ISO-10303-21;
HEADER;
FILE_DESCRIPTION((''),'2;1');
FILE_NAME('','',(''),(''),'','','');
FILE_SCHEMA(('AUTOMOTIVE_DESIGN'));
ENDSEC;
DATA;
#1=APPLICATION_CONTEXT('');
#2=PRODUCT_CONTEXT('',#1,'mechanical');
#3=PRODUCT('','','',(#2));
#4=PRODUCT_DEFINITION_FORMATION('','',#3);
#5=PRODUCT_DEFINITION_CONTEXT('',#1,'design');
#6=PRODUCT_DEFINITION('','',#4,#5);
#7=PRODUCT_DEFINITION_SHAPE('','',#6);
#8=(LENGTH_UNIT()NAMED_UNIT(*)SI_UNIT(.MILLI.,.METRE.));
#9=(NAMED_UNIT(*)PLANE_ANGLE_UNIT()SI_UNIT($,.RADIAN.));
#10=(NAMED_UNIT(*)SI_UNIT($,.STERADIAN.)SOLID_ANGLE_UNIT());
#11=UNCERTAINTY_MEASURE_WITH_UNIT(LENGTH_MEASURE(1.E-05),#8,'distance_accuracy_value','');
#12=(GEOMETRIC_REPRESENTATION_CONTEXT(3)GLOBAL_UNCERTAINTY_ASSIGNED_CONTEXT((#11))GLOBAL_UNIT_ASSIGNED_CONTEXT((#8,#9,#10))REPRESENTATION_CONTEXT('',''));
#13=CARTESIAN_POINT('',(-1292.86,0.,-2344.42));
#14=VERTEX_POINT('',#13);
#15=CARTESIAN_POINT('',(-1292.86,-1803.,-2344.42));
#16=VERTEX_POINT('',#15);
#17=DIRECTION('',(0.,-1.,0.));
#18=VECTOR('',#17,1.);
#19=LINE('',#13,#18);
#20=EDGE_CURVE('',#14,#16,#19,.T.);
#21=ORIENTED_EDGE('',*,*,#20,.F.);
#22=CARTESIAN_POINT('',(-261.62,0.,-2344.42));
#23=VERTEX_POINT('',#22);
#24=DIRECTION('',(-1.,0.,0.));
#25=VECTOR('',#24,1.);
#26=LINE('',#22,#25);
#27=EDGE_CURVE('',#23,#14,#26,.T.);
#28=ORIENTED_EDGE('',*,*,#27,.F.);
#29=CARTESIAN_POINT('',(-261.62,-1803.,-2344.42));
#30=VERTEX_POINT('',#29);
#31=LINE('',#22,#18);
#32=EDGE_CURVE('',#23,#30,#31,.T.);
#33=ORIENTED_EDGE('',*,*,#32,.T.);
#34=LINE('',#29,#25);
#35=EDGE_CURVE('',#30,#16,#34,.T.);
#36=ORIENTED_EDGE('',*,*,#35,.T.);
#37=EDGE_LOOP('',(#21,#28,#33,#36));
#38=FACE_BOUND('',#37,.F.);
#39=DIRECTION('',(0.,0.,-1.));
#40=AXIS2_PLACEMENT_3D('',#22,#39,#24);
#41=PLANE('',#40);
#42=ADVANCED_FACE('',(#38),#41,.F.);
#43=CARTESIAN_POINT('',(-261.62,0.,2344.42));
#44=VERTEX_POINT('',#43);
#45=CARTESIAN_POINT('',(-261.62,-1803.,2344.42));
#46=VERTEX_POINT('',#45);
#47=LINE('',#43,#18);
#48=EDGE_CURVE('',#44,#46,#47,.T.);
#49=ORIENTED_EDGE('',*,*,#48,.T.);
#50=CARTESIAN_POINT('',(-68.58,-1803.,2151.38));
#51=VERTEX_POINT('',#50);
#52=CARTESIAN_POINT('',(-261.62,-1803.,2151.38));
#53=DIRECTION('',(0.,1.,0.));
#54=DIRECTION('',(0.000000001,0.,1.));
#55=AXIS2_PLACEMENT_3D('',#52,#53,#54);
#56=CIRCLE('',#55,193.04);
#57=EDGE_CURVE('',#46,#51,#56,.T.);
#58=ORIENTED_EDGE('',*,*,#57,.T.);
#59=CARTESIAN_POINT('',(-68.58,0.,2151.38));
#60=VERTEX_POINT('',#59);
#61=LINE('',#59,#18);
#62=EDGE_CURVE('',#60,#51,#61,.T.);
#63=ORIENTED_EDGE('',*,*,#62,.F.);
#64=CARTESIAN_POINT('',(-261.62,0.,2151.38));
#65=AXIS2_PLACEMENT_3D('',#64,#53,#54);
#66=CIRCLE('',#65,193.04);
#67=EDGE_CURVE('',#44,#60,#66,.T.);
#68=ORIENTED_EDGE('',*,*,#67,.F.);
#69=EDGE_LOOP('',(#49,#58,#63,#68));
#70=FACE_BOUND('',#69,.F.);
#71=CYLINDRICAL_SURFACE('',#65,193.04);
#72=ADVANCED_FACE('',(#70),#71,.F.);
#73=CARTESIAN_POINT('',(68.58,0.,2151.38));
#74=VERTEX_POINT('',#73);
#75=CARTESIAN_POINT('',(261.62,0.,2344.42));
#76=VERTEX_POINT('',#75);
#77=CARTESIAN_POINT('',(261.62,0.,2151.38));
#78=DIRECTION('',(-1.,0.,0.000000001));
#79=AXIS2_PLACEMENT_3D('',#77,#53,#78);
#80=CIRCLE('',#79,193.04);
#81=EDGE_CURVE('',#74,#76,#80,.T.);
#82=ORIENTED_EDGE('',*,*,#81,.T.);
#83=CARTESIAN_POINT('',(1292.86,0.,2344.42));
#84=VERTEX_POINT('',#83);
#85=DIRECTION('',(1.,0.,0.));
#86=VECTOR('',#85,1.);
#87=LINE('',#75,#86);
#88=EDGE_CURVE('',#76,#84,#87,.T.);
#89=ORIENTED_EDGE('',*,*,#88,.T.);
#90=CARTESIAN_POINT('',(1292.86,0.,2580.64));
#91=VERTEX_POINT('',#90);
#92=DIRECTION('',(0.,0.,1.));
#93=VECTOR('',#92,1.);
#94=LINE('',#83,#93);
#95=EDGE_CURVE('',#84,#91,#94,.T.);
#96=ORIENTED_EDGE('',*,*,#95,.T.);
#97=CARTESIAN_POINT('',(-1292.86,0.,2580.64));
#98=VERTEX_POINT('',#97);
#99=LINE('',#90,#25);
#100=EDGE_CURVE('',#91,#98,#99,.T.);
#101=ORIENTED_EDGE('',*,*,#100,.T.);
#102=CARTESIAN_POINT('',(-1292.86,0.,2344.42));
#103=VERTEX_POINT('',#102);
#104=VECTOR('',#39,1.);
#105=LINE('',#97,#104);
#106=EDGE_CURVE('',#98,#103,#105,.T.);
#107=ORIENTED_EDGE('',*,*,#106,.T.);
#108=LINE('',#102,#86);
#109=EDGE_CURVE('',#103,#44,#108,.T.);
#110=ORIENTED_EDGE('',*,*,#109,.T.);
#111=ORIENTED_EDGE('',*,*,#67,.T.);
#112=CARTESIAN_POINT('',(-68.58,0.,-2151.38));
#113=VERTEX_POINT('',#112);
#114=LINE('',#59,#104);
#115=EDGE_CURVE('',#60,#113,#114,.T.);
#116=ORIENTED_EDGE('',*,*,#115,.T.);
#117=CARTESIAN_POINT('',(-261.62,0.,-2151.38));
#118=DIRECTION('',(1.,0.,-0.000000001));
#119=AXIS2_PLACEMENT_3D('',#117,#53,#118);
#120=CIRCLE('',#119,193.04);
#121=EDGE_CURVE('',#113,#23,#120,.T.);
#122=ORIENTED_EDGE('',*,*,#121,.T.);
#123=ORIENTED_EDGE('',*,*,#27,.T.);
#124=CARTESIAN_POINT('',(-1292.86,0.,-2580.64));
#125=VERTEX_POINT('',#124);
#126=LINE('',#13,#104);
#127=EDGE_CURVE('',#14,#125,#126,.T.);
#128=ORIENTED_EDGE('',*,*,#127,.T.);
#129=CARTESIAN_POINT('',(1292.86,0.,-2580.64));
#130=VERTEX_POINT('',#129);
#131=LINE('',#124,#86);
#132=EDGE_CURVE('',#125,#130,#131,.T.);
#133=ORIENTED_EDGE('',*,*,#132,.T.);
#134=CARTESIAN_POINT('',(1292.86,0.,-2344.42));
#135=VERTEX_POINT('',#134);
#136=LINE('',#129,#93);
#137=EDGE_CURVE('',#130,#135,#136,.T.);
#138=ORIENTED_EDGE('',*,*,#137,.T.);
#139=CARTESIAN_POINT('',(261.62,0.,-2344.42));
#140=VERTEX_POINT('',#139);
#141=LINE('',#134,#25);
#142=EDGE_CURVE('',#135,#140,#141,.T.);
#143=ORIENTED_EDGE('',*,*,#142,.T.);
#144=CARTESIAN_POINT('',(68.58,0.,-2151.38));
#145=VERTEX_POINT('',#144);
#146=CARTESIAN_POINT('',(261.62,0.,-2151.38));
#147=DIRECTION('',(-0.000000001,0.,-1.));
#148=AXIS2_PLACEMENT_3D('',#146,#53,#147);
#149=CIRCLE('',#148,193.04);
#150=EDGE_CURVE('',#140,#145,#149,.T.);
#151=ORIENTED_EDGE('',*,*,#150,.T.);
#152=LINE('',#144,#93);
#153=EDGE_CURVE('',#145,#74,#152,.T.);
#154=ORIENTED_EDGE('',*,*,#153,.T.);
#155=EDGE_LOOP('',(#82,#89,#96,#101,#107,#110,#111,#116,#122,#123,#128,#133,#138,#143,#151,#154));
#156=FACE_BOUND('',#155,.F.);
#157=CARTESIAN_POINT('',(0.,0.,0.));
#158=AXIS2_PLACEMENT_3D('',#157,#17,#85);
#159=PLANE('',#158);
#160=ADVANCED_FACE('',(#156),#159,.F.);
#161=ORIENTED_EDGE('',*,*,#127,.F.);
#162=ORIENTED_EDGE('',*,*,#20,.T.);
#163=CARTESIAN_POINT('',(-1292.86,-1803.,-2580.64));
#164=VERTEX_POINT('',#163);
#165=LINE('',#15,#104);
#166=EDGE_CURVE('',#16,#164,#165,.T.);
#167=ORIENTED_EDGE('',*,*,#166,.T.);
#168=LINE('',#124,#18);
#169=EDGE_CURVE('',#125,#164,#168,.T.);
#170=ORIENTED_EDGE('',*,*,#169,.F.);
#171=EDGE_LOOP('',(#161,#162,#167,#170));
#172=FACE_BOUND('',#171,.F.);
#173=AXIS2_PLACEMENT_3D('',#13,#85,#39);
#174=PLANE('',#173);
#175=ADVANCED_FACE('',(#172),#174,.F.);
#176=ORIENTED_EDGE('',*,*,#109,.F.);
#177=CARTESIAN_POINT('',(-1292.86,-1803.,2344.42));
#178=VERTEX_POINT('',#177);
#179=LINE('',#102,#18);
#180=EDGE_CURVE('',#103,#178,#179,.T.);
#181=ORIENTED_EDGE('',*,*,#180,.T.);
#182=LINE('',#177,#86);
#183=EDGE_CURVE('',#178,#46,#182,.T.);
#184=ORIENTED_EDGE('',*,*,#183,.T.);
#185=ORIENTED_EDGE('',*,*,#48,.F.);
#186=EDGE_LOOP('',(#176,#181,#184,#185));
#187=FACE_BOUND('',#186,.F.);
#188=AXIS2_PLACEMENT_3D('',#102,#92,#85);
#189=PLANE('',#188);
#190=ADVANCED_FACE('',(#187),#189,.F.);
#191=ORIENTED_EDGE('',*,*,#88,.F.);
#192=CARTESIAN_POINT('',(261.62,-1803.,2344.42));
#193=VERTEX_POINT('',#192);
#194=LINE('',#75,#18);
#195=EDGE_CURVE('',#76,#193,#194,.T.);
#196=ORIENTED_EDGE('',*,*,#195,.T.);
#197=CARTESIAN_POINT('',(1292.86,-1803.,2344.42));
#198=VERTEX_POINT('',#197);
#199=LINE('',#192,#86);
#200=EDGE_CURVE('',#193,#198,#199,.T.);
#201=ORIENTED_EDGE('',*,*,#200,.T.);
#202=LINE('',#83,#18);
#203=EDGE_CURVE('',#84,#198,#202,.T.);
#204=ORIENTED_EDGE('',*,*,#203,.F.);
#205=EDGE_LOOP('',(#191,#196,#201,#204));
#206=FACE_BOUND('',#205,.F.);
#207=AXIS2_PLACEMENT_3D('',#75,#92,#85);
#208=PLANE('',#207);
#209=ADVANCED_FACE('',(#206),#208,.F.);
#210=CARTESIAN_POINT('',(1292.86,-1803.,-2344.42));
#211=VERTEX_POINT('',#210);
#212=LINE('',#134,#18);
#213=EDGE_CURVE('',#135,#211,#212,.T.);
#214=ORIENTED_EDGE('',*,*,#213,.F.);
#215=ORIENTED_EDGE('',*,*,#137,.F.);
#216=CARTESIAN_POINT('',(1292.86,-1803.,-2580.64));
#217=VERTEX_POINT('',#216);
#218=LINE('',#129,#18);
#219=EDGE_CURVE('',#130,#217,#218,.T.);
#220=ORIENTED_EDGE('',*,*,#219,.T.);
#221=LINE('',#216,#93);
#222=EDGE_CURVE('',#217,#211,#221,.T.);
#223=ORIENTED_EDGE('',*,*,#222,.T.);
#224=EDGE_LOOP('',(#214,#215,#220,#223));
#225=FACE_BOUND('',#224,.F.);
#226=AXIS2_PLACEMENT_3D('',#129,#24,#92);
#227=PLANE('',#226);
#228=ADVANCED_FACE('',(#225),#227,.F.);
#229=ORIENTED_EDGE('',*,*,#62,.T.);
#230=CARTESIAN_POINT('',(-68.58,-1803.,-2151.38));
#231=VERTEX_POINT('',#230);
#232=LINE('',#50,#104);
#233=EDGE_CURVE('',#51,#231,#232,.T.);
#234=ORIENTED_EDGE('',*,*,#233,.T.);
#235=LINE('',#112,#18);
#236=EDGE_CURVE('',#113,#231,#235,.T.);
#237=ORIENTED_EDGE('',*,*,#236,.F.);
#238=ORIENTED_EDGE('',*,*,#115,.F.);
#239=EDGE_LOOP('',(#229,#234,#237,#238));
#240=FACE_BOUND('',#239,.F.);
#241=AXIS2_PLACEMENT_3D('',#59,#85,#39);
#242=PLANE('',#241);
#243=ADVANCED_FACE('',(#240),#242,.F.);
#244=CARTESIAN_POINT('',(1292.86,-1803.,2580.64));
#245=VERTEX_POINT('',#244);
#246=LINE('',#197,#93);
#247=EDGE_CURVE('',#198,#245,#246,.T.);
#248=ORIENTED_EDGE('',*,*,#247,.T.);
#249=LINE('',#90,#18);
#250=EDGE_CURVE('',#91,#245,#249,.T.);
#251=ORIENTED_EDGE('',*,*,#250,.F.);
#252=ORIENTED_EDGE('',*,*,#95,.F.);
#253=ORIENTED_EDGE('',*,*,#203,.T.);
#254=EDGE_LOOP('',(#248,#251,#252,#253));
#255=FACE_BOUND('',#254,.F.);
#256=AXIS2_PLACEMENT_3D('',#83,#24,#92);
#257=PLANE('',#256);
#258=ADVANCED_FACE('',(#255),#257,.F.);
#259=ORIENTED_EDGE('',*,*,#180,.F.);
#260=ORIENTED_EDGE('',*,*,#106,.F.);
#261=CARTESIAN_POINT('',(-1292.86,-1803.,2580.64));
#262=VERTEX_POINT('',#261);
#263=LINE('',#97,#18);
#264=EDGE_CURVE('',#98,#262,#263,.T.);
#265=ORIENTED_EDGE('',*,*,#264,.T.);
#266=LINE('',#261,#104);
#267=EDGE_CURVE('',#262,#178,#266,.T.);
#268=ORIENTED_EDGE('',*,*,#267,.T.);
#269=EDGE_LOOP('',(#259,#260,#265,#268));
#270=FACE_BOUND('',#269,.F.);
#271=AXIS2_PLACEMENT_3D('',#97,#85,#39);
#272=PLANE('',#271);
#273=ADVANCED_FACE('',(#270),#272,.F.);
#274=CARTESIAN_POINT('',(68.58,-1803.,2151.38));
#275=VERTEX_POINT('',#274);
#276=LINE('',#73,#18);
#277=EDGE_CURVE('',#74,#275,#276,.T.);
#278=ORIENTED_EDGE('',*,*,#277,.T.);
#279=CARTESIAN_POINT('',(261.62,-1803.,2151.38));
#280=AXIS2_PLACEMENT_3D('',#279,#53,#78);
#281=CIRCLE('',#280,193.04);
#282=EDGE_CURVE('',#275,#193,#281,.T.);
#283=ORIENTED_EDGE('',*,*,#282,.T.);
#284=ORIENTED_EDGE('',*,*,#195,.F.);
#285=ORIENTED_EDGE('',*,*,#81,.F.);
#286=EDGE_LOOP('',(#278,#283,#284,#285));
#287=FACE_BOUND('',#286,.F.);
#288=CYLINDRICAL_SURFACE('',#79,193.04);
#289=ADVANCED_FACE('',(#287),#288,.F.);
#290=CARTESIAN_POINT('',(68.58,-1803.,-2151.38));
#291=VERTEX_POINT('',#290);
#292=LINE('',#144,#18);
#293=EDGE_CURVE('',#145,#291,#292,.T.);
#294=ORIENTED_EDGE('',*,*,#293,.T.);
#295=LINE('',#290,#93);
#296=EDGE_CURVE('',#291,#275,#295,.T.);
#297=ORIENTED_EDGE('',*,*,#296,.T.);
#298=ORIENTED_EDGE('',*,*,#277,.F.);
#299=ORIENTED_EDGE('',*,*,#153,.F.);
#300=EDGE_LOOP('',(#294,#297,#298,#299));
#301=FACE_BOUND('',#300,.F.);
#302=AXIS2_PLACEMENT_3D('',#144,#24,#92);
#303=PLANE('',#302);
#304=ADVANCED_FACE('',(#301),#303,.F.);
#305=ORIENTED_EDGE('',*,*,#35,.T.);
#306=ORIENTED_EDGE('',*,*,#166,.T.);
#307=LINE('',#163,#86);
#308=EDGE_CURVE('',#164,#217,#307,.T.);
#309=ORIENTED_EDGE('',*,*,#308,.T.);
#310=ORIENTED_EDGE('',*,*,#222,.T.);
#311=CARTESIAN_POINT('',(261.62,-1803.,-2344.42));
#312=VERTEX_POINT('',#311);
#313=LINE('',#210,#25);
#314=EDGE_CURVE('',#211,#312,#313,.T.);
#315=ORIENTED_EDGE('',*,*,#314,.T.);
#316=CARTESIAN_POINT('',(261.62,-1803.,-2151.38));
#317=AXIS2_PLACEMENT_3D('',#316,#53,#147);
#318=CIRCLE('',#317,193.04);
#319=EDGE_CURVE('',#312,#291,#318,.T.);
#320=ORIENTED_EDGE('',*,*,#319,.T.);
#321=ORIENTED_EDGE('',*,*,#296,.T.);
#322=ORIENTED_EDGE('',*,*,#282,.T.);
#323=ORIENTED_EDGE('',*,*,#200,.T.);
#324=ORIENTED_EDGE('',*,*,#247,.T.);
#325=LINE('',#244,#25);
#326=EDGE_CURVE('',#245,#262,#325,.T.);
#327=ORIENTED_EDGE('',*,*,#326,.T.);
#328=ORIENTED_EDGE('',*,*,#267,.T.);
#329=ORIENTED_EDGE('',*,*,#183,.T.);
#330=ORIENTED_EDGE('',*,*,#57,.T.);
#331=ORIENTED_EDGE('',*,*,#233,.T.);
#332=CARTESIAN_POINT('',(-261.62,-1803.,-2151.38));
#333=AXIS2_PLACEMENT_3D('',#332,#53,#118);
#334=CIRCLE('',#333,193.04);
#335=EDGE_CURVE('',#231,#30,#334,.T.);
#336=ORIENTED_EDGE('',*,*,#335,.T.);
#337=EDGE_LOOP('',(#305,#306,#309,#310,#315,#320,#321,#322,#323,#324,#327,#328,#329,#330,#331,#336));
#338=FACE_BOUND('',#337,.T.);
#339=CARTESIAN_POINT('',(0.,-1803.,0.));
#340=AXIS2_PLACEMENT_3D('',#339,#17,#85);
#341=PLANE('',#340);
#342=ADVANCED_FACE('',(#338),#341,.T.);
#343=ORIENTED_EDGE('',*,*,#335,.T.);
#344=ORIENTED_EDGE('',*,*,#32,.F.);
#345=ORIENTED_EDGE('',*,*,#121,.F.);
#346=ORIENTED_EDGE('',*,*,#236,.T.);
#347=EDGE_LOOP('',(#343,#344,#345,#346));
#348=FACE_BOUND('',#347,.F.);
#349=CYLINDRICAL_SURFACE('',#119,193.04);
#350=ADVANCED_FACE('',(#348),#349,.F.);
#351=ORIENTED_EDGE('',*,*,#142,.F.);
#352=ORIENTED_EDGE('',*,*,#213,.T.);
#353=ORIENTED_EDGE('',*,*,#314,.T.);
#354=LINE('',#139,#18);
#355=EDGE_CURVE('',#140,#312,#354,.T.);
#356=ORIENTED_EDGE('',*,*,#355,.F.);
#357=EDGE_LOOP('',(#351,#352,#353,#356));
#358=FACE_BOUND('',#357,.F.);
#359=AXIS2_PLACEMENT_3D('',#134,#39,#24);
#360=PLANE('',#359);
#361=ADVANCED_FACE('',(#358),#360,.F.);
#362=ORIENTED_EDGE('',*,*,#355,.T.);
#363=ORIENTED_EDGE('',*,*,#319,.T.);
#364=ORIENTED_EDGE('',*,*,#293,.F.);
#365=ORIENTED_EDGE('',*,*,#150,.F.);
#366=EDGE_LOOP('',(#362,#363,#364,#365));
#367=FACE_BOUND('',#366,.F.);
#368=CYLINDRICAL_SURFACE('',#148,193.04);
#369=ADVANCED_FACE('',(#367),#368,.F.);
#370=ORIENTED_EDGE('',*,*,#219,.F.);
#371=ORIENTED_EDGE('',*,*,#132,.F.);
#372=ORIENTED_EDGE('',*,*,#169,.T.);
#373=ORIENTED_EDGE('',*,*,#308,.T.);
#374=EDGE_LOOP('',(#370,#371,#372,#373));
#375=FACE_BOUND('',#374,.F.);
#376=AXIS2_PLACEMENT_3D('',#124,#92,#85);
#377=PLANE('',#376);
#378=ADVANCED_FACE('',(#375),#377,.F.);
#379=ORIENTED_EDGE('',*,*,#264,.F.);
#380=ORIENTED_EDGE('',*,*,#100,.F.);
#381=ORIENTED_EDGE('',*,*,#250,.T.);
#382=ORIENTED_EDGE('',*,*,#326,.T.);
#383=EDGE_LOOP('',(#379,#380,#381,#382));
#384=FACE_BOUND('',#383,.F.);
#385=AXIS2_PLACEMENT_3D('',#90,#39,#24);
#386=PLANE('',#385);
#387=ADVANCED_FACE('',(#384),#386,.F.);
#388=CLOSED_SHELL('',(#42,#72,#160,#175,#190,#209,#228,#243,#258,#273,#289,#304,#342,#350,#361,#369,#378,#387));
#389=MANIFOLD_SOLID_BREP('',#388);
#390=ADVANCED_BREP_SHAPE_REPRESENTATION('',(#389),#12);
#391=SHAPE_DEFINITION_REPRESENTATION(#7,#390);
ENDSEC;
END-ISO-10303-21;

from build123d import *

# Parameters (mm, degrees)
F1_DEPTH = 1803


with BuildPart() as f1:
    # F0 (on Front) → F1 (new body)
    with BuildSketch(Plane.XZ):
        with BuildLine():
            Line((1292.86, 2580.64), (-1292.86, 2580.64))
            Line((-1292.86, 2580.64), (-1292.86, 2344.42))
            Line((-1292.86, 2344.42), (-261.62, 2344.42))
            ThreePointArc((-261.62, 2344.42), (-125.120107, 2287.879893), (-68.58, 2151.38))
            Line((-68.58, 2151.38), (-68.58, -2151.38))
            ThreePointArc((-68.58, -2151.38), (-125.120107, -2287.879893), (-261.62, -2344.42))
            Line((-261.62, -2344.42), (-1292.86, -2344.42))
            Line((-1292.86, -2344.42), (-1292.86, -2580.64))
            Line((-1292.86, -2580.64), (1292.86, -2580.64))
            Line((1292.86, -2580.64), (1292.86, -2344.42))
            Line((1292.86, -2344.42), (261.62, -2344.42))
            ThreePointArc((261.62, -2344.42), (125.120107, -2287.879893), (68.58, -2151.38))
            Line((68.58, -2151.38), (68.58, 2151.38))
            ThreePointArc((68.58, 2151.38), (125.120107, 2287.879893), (261.62, 2344.42))
            Line((261.62, 2344.42), (1292.86, 2344.42))
            Line((1292.86, 2344.42), (1292.86, 2580.64))
        make_face()
    extrude(amount=F1_DEPTH)


solid = f1.part
